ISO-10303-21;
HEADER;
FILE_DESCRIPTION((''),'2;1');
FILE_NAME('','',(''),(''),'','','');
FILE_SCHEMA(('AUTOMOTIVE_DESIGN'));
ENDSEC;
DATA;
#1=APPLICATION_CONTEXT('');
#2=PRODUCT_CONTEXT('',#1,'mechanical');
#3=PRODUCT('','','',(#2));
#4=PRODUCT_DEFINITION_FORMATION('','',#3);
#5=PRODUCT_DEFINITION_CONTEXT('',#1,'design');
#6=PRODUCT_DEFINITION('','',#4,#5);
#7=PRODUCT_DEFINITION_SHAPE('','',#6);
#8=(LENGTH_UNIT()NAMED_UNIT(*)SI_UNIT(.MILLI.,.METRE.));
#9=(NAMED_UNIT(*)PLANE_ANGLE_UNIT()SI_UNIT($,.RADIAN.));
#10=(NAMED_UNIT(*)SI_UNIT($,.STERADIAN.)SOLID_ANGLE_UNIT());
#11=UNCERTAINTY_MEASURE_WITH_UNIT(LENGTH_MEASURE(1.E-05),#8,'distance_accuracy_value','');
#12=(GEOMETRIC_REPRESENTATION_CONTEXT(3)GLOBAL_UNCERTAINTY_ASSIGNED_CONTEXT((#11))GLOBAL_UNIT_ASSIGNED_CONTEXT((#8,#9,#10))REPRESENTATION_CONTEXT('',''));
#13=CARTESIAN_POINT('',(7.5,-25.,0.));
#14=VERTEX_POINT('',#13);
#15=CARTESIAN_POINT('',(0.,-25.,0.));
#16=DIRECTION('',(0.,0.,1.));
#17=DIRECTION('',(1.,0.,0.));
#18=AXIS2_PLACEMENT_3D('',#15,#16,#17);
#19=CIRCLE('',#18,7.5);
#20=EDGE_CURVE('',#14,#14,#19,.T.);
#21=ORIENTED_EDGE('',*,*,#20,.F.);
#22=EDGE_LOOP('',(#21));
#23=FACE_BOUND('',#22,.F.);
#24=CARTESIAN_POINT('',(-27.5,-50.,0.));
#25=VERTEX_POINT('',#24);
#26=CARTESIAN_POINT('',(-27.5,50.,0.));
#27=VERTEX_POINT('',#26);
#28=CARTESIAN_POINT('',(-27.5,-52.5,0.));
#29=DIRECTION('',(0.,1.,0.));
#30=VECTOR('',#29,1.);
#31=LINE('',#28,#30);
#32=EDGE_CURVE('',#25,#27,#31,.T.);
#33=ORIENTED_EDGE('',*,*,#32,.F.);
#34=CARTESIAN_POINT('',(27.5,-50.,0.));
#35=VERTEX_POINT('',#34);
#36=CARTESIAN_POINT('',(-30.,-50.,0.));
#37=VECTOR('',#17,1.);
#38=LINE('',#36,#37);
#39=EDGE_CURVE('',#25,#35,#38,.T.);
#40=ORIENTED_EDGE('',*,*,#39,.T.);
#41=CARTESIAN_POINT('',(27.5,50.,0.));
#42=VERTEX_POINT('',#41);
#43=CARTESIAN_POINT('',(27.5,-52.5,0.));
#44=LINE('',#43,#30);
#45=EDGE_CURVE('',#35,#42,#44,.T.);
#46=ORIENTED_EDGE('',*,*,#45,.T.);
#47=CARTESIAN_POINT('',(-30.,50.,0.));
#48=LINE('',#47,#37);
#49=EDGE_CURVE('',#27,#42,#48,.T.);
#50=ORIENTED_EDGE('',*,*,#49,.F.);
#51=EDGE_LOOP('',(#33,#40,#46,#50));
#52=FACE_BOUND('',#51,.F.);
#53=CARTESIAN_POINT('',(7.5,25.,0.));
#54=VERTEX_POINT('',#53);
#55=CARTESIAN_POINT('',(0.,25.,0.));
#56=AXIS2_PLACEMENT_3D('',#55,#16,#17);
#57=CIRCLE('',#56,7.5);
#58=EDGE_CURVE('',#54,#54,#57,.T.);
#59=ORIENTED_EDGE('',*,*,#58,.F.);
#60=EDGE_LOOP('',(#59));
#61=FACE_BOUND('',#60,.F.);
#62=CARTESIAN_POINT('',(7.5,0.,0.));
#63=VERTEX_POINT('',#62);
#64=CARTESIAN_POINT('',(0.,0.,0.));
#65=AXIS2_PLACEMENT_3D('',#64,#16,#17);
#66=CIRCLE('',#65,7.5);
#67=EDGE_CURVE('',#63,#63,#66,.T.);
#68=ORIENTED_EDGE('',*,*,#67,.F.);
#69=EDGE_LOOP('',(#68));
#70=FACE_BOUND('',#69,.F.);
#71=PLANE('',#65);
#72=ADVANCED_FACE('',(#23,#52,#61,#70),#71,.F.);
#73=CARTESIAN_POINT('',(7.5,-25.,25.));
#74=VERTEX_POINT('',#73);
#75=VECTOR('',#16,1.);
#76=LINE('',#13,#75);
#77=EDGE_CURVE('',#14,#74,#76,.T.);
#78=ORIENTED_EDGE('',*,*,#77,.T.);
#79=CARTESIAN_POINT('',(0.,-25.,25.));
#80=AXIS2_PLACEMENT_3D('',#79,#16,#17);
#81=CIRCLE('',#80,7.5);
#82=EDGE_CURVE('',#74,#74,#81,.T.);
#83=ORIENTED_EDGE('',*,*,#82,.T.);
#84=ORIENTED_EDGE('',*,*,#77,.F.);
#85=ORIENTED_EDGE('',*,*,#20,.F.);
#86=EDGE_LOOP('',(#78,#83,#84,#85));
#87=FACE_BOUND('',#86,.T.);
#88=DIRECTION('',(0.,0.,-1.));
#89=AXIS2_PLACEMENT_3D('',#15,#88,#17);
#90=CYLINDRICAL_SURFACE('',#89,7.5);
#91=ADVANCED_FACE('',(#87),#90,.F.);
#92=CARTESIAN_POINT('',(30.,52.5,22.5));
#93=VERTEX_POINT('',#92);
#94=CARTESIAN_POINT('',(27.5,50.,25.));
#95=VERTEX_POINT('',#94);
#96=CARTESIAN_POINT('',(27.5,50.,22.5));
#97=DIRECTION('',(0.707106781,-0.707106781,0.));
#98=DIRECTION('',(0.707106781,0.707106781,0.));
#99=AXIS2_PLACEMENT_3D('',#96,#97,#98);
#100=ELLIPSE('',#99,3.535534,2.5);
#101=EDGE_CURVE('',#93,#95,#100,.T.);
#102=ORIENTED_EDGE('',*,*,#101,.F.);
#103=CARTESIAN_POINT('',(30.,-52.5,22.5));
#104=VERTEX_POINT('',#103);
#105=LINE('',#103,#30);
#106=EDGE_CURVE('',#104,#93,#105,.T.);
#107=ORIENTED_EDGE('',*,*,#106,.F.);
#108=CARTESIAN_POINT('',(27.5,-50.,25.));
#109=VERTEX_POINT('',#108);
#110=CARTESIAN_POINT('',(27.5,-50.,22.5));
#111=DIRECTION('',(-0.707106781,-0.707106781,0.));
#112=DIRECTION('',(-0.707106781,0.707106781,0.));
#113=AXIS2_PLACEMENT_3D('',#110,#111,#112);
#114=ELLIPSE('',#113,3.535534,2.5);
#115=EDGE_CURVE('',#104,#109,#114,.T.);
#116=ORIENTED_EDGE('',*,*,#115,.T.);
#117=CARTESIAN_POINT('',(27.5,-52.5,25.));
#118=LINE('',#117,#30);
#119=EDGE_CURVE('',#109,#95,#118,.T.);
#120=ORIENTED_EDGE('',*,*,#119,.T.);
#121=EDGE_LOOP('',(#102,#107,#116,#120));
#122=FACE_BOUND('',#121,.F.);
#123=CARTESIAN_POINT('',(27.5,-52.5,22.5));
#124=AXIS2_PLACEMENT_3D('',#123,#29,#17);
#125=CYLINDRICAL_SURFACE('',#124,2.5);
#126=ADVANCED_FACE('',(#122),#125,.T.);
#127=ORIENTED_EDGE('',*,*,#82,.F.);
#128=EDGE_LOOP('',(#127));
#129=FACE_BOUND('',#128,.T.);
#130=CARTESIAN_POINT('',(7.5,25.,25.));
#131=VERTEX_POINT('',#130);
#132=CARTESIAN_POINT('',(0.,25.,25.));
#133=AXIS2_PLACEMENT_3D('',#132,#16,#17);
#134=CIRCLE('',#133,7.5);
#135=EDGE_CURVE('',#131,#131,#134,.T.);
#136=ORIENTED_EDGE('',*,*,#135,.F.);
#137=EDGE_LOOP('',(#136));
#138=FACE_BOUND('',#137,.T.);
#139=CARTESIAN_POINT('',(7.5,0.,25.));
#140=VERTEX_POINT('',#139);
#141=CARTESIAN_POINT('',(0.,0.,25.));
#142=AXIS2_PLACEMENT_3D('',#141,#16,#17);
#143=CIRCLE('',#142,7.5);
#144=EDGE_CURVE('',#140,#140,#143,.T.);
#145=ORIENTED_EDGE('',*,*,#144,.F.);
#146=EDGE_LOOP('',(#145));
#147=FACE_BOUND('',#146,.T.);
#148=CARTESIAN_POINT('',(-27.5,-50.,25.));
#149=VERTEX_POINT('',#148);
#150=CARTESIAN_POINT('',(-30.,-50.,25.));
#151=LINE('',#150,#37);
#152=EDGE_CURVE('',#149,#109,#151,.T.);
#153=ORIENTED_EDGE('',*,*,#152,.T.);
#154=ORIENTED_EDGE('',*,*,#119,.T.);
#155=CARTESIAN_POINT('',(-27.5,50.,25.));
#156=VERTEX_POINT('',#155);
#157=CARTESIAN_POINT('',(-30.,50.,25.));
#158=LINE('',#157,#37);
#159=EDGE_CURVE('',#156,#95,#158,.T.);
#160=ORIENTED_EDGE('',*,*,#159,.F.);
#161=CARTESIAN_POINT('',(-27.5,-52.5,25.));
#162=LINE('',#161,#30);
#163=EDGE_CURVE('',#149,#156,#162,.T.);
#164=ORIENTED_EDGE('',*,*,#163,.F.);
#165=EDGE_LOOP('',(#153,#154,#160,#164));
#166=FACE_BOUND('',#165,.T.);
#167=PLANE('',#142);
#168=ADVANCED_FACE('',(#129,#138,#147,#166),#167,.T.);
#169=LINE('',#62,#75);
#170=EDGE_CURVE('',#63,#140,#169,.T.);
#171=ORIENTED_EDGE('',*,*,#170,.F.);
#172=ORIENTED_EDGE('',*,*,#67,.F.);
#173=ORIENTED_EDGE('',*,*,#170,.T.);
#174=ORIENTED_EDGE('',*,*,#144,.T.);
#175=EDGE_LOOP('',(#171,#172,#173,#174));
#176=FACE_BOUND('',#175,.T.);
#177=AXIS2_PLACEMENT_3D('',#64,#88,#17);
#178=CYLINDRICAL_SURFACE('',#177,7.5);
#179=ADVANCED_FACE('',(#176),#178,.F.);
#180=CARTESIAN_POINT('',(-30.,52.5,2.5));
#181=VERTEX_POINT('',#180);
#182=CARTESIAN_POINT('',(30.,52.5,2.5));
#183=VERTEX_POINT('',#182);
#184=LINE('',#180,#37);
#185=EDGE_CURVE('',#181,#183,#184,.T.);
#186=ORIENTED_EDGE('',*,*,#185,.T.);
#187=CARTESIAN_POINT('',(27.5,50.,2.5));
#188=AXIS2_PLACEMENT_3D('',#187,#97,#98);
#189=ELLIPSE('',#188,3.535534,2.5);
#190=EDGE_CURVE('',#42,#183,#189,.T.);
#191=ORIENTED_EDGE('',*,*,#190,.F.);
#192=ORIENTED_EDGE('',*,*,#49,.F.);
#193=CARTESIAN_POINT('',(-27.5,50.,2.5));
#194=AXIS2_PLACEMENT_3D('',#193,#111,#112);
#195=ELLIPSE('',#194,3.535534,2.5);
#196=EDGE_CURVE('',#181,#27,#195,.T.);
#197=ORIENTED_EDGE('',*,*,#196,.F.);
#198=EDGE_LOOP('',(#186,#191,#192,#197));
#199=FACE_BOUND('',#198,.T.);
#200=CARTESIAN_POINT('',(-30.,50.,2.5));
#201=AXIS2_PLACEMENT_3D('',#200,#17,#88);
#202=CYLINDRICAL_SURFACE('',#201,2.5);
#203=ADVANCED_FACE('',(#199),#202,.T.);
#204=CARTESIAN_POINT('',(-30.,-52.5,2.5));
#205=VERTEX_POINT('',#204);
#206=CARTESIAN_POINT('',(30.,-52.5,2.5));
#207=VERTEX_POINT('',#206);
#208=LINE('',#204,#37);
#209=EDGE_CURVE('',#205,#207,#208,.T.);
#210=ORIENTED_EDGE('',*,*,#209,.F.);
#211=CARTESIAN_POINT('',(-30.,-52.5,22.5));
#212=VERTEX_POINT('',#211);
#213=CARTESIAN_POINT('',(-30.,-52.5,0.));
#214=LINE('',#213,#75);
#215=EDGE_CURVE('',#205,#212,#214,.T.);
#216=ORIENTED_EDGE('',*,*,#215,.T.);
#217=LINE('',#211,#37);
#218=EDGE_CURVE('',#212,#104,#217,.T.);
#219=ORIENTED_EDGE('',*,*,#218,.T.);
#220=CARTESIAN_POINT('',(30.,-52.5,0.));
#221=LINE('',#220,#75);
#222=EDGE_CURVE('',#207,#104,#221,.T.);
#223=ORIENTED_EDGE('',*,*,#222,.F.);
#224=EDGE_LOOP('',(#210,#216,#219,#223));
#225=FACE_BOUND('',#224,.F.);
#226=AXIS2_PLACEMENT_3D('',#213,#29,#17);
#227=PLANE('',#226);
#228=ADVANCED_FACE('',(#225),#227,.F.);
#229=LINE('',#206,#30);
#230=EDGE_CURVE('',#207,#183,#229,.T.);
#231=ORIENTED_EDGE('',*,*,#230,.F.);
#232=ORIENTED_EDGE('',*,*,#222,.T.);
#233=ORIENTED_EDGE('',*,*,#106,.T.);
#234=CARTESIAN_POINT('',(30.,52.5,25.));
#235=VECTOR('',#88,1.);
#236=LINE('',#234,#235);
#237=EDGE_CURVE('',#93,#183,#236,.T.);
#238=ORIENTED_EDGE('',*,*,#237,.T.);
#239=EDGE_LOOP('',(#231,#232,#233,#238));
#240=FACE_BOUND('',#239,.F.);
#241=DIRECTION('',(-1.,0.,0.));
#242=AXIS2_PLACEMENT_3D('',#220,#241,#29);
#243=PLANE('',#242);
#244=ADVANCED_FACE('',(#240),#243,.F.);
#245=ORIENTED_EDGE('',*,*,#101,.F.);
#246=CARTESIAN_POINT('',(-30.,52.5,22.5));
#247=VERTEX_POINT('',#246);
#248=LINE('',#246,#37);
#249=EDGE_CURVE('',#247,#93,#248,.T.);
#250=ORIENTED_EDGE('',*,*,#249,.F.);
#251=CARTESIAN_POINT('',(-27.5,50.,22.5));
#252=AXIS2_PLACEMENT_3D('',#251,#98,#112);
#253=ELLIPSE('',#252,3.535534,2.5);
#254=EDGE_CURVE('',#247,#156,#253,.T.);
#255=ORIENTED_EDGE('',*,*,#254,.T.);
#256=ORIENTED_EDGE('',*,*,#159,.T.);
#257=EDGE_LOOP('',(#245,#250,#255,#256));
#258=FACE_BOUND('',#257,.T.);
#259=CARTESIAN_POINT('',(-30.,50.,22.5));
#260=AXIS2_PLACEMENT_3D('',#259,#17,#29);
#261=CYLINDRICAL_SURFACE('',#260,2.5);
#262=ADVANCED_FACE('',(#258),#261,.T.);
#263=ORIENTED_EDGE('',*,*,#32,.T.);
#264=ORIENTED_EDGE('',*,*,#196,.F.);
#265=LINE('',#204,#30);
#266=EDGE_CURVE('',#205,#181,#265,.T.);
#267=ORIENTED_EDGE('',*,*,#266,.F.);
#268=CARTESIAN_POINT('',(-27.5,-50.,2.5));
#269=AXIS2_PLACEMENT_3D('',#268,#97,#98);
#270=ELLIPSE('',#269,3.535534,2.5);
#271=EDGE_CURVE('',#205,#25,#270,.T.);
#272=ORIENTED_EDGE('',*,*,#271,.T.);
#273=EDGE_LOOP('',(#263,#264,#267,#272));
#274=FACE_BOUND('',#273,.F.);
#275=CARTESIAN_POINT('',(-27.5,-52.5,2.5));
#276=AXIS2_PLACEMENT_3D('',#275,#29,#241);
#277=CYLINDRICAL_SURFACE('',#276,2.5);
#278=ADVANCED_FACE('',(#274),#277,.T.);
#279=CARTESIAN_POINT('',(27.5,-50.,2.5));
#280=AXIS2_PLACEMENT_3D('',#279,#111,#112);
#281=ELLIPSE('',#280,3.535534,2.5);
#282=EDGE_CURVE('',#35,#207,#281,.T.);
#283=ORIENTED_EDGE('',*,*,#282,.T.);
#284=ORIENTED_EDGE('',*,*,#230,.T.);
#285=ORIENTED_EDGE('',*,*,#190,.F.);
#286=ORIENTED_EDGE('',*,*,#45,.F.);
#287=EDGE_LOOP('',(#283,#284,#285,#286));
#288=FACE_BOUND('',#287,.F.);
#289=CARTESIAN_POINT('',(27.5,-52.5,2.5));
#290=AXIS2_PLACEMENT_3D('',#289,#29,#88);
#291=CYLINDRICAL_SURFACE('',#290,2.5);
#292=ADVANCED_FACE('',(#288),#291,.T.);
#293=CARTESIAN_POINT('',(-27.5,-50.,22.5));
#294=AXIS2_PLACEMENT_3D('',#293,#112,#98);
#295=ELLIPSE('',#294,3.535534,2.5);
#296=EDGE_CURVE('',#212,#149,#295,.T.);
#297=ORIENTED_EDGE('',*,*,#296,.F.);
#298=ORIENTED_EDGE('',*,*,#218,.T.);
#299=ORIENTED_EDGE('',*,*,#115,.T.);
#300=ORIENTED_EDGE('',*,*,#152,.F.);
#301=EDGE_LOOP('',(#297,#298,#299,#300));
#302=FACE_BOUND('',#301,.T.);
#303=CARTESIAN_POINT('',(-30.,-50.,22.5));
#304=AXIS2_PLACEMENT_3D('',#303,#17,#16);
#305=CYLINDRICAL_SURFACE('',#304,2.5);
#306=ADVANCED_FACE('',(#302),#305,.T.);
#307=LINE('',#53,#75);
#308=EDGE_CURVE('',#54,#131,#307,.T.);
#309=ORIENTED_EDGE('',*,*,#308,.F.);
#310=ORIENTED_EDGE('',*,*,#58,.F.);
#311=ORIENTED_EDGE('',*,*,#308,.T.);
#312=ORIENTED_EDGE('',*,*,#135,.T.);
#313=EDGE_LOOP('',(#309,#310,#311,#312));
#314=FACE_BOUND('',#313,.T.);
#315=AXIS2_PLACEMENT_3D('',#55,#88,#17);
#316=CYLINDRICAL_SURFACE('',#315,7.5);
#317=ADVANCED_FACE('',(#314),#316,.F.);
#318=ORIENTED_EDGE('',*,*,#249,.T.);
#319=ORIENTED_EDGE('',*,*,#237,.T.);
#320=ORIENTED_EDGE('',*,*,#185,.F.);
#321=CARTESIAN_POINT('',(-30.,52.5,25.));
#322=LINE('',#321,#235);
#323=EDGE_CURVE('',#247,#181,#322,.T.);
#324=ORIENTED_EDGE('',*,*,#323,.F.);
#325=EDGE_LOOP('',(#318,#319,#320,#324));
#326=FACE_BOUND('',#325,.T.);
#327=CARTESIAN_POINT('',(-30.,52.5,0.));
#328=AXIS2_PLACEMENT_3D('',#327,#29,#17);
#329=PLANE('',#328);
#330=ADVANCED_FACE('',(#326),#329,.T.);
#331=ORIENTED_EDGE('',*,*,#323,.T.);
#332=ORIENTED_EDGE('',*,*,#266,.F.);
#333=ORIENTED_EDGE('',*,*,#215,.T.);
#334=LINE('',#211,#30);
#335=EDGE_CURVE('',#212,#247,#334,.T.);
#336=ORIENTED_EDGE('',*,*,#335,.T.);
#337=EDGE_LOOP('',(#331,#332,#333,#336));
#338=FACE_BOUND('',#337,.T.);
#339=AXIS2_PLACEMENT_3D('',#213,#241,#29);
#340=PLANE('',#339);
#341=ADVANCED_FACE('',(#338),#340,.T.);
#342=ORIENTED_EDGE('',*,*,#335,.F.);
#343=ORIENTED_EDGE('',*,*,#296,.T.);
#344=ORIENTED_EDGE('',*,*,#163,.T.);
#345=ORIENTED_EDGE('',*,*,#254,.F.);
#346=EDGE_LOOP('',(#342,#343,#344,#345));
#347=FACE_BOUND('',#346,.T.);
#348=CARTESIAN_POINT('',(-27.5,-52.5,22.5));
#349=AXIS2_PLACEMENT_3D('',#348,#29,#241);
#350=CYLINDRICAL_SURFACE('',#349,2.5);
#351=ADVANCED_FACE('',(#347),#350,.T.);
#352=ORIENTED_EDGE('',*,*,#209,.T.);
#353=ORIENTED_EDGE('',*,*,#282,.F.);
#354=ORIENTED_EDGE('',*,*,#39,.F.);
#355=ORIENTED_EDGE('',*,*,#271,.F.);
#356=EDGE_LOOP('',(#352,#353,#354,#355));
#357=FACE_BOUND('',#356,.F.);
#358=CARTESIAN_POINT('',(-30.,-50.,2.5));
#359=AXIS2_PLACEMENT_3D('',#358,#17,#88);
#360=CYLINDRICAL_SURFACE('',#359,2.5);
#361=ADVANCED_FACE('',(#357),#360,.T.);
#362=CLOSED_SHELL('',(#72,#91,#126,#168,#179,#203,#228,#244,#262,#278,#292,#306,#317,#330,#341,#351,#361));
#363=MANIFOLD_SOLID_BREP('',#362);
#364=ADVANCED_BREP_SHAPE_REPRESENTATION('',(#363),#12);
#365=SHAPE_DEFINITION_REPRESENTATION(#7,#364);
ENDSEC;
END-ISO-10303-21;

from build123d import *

# Parameters (mm, degrees)
F0_W     = 60
F0_H     = 105
F0_R     = 7.5
F1_DEPTH = 20
F2_DEPTH = 25
F3_R     = 2.5


with BuildPart() as f1:
    # F0 (on Top) → F1 (new body)
    with BuildSketch(Plane.XY):
        Rectangle(F0_W, F0_H)
        with Locations((0, -25)):
            Circle(F0_R, mode=Mode.SUBTRACT)
        Circle(F0_R, mode=Mode.SUBTRACT)
        with Locations((0, 25)):
            Circle(F0_R, mode=Mode.SUBTRACT)
    extrude(amount=F1_DEPTH)

    # F0 (on Top) → F2 (join)
    with BuildSketch(Plane.XY):
        Rectangle(F0_W, F0_H)
        with Locations((0, -25)):
            Circle(F0_R, mode=Mode.SUBTRACT)
        Circle(F0_R, mode=Mode.SUBTRACT)
        with Locations((0, 25)):
            Circle(F0_R, mode=Mode.SUBTRACT)
    extrude(amount=F2_DEPTH)

    # F3
    f3_edges = [f1.edges().sort_by_distance(p)[0] for p in [
        (-30, 0, 25),
        (0, 52.5, 25),
        (30, 0, 25),
        (0, -52.5, 25),
        (-30, 0, 0),
        (0, 52.5, 0),
        (30, 0, 0),
        (0, -52.5, 0),
    ]]
    fillet(f3_edges, radius=F3_R)


solid = f1.part
